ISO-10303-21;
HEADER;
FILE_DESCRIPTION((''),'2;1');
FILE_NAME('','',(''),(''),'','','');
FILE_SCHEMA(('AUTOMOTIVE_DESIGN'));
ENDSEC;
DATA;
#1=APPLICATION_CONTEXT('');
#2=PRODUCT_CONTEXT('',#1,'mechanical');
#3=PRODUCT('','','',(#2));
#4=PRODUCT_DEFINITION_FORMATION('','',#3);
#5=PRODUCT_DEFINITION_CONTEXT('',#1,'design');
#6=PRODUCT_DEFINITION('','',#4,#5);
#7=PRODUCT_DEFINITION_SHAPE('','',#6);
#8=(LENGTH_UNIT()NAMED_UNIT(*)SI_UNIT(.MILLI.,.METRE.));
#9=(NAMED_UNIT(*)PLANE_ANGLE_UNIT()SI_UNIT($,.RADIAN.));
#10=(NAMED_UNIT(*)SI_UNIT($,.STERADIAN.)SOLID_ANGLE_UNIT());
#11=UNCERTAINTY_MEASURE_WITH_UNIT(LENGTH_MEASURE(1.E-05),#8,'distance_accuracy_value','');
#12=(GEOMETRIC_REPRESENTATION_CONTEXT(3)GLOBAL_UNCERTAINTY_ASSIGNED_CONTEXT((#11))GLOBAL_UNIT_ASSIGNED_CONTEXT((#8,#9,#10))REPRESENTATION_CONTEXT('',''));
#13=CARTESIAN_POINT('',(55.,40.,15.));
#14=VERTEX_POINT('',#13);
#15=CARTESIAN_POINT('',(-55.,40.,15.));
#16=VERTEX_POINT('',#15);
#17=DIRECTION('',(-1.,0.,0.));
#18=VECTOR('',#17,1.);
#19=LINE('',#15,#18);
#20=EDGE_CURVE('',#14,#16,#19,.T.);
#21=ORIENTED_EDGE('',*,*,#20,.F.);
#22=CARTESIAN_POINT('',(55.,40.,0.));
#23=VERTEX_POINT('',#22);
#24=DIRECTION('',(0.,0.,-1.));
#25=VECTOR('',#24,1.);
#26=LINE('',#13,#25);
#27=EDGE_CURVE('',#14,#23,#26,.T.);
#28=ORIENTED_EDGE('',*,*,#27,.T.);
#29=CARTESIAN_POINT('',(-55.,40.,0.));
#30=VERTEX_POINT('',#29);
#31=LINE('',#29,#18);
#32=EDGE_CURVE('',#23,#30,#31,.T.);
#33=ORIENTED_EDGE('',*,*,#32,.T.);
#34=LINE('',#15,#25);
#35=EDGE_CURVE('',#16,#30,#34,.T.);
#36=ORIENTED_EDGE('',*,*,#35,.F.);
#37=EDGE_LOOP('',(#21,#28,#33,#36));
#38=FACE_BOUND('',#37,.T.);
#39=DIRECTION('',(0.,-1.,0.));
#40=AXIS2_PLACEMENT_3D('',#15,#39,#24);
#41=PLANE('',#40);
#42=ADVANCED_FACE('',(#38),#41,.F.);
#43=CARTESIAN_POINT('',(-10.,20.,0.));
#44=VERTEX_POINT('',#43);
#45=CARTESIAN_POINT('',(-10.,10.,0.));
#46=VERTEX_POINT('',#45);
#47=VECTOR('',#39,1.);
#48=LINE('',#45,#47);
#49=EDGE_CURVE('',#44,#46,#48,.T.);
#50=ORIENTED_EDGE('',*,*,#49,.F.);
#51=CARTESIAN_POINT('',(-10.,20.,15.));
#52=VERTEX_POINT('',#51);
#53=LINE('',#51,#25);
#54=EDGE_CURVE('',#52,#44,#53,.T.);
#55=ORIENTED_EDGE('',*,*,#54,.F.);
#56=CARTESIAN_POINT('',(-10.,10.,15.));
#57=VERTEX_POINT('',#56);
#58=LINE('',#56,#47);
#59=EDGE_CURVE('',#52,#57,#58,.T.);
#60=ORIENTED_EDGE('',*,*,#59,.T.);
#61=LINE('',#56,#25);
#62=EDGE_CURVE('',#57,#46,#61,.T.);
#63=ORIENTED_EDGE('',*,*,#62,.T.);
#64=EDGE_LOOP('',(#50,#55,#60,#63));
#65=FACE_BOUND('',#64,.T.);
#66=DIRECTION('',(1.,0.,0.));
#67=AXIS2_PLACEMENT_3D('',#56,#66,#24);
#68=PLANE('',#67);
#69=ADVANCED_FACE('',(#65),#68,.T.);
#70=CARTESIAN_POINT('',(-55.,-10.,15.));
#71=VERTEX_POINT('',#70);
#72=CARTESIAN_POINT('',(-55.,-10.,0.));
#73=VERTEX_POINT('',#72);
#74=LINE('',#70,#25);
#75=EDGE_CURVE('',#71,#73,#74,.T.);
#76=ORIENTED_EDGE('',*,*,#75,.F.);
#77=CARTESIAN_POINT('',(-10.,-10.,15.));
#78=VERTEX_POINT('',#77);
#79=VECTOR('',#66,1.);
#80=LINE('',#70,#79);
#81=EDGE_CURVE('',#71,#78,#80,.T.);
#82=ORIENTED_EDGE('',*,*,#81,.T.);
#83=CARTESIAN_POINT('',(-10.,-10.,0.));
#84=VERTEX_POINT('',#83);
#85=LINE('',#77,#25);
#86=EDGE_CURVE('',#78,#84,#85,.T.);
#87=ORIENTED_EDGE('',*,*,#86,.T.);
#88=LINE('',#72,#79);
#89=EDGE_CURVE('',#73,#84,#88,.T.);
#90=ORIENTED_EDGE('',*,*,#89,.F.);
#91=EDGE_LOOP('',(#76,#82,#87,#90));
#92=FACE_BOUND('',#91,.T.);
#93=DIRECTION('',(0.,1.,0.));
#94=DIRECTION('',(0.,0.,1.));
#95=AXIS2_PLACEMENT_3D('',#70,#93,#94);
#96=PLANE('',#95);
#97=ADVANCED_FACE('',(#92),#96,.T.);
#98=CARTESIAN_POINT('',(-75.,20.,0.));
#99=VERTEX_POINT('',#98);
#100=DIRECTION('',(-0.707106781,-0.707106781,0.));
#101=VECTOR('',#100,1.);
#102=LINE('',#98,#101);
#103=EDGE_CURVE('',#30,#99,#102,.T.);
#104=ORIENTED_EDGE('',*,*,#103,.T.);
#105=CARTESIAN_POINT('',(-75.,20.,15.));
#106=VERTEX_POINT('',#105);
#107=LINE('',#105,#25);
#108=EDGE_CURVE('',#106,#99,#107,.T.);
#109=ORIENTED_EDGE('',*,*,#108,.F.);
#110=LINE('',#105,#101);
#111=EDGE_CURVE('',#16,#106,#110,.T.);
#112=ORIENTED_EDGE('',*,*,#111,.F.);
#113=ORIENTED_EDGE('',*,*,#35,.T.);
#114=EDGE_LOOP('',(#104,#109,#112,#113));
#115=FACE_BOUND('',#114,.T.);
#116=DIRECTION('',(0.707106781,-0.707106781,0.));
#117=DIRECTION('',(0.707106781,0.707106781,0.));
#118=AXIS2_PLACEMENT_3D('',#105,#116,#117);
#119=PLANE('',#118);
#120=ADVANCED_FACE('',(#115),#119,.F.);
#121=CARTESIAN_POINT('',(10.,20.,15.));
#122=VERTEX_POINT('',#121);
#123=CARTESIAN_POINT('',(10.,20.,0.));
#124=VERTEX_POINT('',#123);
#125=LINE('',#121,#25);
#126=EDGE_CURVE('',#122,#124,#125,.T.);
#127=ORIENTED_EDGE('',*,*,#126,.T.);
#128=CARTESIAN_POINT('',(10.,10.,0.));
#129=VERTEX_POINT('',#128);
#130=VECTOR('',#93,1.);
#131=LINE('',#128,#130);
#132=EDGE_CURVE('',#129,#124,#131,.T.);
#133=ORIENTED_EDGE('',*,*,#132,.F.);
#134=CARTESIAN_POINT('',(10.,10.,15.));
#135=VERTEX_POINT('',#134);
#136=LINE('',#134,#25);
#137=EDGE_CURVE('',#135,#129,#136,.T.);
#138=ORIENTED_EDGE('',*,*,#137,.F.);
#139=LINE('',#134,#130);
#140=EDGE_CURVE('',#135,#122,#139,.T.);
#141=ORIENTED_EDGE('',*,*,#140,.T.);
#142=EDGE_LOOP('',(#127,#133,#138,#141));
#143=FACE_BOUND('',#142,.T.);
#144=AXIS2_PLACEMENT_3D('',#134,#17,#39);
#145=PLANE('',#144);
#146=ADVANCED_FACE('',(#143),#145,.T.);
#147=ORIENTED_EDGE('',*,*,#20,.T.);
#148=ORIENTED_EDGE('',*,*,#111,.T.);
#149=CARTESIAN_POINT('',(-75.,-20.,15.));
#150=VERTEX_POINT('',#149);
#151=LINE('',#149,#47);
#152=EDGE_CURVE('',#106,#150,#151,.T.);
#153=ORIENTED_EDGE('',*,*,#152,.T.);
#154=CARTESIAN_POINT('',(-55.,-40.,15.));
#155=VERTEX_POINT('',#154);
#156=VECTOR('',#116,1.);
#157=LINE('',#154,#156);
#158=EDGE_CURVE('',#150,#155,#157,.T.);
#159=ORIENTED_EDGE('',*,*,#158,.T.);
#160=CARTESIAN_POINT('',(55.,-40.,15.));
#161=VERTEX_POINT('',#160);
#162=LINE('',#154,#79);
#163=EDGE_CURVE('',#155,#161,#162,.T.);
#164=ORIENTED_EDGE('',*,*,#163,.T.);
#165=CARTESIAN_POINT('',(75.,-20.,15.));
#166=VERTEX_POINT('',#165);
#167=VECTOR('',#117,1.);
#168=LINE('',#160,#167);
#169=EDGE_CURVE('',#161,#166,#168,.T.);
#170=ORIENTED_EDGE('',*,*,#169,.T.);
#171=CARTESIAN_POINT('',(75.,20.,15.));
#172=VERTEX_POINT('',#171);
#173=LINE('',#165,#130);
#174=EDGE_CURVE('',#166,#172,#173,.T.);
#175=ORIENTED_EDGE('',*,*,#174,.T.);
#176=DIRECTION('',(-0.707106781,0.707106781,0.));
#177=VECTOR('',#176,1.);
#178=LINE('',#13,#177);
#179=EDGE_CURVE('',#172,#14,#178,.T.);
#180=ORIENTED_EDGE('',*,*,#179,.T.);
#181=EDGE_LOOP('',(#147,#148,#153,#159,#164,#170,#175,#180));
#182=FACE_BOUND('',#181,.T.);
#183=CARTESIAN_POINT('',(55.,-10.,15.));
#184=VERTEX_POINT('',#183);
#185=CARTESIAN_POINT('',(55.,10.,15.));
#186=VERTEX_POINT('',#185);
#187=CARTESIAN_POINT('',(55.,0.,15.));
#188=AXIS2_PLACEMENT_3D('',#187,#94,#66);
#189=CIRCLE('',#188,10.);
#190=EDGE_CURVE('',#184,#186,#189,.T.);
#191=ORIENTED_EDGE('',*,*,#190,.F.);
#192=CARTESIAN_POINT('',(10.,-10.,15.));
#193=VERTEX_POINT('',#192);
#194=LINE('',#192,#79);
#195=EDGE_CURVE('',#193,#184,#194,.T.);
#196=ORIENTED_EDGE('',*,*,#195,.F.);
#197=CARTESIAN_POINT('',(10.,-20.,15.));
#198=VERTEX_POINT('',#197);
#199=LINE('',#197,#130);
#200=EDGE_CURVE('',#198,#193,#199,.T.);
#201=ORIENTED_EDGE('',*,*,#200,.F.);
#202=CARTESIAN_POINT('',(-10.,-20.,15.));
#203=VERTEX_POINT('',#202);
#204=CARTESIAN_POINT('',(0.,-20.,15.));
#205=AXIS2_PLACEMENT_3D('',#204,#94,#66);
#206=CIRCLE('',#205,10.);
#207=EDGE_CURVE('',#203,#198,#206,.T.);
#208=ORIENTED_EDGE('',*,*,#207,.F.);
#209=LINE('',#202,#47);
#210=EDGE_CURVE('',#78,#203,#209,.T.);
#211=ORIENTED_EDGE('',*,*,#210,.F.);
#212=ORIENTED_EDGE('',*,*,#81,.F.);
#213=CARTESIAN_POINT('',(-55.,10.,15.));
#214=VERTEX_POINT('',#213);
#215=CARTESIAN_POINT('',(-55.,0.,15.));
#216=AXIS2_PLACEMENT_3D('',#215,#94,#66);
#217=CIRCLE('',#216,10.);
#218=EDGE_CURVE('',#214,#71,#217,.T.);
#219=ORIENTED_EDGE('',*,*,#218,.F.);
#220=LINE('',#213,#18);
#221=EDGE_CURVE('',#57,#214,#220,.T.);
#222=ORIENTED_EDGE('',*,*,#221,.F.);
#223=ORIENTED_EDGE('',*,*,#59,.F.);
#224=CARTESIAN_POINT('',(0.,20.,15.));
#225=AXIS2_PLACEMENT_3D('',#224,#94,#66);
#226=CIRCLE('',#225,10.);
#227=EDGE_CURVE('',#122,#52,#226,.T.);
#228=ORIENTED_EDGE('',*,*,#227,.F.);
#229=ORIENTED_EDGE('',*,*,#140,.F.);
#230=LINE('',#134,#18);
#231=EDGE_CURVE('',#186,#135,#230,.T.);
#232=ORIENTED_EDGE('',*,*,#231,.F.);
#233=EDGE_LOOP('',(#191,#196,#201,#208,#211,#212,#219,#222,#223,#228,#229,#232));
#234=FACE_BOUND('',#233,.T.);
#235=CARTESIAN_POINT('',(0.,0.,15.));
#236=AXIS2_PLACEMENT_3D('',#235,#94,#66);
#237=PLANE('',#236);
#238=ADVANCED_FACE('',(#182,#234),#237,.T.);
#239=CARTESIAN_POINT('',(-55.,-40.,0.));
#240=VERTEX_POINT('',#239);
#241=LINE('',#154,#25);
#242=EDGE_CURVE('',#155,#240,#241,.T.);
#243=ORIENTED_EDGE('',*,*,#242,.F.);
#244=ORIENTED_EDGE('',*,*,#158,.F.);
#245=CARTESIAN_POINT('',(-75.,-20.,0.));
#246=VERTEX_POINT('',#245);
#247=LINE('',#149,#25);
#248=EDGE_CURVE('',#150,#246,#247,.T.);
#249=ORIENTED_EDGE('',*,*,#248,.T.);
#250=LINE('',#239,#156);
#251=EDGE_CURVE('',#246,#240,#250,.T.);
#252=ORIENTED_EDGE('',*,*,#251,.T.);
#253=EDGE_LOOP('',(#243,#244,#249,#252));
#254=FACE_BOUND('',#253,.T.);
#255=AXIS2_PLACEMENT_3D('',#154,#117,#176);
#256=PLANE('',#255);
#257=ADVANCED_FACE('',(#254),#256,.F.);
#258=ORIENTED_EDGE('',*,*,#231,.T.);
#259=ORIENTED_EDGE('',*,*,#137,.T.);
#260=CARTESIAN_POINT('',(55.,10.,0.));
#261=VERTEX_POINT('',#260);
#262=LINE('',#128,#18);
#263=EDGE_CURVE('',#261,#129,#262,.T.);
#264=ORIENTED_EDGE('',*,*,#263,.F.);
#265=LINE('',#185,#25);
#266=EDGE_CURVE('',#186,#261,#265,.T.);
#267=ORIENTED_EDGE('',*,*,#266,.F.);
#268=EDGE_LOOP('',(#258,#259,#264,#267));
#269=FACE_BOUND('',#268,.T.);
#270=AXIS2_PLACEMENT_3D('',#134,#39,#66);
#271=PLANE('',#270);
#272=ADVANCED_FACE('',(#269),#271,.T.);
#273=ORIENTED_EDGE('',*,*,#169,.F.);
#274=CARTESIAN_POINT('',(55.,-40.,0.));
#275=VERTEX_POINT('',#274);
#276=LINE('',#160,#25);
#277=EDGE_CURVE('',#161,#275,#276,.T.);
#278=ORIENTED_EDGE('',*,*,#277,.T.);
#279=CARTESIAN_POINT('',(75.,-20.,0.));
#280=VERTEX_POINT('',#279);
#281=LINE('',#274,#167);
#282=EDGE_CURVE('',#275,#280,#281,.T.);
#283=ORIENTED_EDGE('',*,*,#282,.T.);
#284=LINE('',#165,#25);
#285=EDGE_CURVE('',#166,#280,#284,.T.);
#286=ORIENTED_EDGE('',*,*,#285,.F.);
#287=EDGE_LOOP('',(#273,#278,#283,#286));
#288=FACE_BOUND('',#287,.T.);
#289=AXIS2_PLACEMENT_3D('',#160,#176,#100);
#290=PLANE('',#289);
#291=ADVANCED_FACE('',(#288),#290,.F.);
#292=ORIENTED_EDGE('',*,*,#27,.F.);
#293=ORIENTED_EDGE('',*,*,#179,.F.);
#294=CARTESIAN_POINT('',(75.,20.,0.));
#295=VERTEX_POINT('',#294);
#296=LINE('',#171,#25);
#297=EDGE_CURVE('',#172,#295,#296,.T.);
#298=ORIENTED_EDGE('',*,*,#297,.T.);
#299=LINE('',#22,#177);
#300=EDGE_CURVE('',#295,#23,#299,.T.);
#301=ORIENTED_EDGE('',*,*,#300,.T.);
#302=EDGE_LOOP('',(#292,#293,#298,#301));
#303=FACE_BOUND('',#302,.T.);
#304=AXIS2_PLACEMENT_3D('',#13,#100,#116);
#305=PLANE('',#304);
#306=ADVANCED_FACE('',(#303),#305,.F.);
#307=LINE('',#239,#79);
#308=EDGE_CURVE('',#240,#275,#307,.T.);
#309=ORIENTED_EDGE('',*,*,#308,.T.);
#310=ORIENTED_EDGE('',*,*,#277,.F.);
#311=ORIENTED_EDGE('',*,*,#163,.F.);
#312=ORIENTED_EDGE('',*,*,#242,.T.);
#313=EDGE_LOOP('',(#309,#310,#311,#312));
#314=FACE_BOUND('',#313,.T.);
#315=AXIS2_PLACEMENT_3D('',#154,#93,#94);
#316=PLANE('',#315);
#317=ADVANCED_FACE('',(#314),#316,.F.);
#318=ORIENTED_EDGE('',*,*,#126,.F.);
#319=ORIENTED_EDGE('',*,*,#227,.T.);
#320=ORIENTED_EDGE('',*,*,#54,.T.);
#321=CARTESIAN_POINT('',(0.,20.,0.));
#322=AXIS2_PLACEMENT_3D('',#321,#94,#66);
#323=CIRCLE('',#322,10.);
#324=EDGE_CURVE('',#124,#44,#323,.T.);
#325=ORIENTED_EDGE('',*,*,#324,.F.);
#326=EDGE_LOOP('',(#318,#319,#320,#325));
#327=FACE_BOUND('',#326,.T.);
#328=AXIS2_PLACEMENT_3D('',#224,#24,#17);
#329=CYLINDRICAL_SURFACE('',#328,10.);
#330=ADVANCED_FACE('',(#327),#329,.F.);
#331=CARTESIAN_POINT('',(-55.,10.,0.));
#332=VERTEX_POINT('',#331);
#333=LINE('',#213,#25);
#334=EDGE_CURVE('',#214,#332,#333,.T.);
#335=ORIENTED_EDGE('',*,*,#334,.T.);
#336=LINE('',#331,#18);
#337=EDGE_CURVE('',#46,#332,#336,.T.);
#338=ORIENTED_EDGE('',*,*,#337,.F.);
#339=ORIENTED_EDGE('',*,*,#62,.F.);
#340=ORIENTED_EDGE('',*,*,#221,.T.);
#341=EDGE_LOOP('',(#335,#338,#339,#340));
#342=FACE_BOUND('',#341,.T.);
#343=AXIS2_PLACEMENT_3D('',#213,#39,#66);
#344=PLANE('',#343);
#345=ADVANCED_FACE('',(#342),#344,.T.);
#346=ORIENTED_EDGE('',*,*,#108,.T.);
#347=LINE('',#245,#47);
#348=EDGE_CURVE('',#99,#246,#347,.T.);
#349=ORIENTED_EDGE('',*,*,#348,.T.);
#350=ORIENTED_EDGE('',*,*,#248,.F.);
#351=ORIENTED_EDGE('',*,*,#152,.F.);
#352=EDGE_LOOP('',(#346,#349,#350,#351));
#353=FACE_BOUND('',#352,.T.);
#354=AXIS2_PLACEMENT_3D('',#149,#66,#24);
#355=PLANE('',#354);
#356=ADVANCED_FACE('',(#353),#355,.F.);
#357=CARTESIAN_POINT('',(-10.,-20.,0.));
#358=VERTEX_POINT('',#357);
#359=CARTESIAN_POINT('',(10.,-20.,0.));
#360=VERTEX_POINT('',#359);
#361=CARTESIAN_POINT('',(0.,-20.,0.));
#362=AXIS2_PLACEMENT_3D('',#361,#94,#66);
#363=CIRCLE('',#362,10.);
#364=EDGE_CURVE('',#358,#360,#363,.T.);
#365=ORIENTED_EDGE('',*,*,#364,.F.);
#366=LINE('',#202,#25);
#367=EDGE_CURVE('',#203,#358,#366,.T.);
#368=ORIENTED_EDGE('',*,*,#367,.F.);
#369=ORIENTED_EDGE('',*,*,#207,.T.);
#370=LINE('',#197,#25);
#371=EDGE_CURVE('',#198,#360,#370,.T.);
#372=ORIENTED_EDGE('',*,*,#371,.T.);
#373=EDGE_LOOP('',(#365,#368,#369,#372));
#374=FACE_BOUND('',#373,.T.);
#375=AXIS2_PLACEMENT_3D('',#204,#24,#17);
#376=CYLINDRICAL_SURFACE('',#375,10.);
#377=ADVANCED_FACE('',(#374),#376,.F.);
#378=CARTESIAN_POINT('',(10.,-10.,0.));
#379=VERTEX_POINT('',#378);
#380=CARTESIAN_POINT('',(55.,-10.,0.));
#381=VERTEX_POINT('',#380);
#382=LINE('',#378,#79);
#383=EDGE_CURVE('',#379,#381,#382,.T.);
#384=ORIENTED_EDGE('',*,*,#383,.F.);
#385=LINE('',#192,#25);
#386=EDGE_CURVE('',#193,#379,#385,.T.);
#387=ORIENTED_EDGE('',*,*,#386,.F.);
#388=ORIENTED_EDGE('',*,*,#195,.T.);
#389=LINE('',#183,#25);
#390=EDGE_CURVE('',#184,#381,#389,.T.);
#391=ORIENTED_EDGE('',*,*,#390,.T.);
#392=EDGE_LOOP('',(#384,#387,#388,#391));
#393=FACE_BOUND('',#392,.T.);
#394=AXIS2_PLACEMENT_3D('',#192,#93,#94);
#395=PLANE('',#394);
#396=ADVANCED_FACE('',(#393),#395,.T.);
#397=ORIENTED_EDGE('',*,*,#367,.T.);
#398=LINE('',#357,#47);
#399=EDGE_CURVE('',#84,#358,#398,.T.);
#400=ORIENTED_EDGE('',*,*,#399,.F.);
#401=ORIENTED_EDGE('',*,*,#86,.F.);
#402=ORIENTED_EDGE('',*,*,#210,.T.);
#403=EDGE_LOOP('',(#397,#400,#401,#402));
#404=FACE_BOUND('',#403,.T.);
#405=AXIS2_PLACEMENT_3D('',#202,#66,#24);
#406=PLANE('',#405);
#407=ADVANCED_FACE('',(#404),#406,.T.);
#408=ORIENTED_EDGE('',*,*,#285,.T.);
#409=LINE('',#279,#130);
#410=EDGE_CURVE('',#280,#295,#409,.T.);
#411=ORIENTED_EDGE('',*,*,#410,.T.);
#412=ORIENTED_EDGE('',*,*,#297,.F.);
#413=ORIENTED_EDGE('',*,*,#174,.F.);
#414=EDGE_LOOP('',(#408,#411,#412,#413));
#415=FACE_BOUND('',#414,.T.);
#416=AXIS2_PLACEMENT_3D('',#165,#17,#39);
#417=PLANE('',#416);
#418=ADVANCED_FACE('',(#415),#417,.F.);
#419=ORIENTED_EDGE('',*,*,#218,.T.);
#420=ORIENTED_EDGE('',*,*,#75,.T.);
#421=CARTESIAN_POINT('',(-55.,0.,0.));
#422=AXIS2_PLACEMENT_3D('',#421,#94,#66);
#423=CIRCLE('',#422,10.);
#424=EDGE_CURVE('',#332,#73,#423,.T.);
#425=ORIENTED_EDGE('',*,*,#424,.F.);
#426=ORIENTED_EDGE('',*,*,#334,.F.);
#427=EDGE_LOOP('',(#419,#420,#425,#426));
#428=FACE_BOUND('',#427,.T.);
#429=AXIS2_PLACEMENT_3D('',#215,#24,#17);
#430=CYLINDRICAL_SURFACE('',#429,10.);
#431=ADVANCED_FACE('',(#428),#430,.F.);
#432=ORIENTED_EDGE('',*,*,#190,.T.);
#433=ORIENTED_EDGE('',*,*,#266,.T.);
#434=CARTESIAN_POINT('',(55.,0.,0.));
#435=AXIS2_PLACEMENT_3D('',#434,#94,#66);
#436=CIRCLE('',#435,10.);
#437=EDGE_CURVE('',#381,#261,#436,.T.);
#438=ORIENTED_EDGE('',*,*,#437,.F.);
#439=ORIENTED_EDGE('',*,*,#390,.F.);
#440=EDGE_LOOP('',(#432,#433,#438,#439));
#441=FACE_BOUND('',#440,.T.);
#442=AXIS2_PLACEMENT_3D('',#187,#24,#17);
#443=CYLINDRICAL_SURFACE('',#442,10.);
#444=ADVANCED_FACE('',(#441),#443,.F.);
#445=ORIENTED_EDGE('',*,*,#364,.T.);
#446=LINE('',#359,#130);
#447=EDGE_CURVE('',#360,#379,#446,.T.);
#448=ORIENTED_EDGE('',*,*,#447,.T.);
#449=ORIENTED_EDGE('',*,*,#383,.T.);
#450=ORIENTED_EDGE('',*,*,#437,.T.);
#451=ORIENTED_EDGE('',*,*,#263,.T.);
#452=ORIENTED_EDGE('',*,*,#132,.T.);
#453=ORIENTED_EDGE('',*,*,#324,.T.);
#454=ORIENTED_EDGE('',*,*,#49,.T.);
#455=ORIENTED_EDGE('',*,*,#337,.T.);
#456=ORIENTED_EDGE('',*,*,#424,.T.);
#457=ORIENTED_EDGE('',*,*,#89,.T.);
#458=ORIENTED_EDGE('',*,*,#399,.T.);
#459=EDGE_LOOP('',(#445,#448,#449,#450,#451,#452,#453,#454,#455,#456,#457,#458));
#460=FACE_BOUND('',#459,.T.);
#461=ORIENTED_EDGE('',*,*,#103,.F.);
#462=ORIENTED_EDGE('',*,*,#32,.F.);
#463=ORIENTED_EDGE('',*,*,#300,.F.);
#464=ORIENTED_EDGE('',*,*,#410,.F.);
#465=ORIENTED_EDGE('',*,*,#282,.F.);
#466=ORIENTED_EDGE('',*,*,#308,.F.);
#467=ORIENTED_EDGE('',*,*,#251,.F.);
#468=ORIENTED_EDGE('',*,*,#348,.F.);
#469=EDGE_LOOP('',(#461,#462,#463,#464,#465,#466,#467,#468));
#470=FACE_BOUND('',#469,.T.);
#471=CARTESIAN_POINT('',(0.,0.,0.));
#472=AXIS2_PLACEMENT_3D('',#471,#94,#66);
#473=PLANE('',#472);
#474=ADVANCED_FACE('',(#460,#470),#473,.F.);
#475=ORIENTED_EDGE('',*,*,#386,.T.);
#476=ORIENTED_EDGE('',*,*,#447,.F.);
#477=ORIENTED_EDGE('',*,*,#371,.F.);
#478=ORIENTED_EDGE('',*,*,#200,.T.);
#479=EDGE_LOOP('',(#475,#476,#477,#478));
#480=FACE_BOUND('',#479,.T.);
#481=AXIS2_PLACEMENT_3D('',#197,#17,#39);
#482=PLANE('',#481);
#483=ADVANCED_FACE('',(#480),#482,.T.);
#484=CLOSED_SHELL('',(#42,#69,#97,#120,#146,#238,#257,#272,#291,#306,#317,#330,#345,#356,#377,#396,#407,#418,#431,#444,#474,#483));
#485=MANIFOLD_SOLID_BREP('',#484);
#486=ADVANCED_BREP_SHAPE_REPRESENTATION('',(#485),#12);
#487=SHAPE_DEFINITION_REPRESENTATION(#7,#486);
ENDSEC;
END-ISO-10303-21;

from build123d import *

# Parameters (mm, degrees)
BOSS_EXTRUDE1_DEPTH = 15


with BuildPart() as part:
    # Sketch1 → Boss-Extrude1 (new body)
    with BuildSketch(Plane.XY):
        Polygon((-75, 20), (-55, 40), (55, 40), (75, 20), (75, -20), (55, -40), (-55, -40), (-75, -20), align=None)
        with BuildLine():
            Line((-10, 10), (-10, 20))
            ThreePointArc((-10, 20), (0, 30), (10, 20))
            Line((10, 20), (10, 10))
            Line((10, 10), (55, 10))
            ThreePointArc((55, 10), (65, 0), (55, -10))
            Line((55, -10), (10, -10))
            Line((10, -10), (10, -20))
            ThreePointArc((10, -20), (0, -30), (-10, -20))
            Line((-10, -20), (-10, -10))
            Line((-10, -10), (-55, -10))
            ThreePointArc((-55, -10), (-65, 0), (-55, 10))
            Line((-55, 10), (-10, 10))
        make_face(mode=Mode.SUBTRACT)
    extrude(amount=BOSS_EXTRUDE1_DEPTH)


solid = part.part
